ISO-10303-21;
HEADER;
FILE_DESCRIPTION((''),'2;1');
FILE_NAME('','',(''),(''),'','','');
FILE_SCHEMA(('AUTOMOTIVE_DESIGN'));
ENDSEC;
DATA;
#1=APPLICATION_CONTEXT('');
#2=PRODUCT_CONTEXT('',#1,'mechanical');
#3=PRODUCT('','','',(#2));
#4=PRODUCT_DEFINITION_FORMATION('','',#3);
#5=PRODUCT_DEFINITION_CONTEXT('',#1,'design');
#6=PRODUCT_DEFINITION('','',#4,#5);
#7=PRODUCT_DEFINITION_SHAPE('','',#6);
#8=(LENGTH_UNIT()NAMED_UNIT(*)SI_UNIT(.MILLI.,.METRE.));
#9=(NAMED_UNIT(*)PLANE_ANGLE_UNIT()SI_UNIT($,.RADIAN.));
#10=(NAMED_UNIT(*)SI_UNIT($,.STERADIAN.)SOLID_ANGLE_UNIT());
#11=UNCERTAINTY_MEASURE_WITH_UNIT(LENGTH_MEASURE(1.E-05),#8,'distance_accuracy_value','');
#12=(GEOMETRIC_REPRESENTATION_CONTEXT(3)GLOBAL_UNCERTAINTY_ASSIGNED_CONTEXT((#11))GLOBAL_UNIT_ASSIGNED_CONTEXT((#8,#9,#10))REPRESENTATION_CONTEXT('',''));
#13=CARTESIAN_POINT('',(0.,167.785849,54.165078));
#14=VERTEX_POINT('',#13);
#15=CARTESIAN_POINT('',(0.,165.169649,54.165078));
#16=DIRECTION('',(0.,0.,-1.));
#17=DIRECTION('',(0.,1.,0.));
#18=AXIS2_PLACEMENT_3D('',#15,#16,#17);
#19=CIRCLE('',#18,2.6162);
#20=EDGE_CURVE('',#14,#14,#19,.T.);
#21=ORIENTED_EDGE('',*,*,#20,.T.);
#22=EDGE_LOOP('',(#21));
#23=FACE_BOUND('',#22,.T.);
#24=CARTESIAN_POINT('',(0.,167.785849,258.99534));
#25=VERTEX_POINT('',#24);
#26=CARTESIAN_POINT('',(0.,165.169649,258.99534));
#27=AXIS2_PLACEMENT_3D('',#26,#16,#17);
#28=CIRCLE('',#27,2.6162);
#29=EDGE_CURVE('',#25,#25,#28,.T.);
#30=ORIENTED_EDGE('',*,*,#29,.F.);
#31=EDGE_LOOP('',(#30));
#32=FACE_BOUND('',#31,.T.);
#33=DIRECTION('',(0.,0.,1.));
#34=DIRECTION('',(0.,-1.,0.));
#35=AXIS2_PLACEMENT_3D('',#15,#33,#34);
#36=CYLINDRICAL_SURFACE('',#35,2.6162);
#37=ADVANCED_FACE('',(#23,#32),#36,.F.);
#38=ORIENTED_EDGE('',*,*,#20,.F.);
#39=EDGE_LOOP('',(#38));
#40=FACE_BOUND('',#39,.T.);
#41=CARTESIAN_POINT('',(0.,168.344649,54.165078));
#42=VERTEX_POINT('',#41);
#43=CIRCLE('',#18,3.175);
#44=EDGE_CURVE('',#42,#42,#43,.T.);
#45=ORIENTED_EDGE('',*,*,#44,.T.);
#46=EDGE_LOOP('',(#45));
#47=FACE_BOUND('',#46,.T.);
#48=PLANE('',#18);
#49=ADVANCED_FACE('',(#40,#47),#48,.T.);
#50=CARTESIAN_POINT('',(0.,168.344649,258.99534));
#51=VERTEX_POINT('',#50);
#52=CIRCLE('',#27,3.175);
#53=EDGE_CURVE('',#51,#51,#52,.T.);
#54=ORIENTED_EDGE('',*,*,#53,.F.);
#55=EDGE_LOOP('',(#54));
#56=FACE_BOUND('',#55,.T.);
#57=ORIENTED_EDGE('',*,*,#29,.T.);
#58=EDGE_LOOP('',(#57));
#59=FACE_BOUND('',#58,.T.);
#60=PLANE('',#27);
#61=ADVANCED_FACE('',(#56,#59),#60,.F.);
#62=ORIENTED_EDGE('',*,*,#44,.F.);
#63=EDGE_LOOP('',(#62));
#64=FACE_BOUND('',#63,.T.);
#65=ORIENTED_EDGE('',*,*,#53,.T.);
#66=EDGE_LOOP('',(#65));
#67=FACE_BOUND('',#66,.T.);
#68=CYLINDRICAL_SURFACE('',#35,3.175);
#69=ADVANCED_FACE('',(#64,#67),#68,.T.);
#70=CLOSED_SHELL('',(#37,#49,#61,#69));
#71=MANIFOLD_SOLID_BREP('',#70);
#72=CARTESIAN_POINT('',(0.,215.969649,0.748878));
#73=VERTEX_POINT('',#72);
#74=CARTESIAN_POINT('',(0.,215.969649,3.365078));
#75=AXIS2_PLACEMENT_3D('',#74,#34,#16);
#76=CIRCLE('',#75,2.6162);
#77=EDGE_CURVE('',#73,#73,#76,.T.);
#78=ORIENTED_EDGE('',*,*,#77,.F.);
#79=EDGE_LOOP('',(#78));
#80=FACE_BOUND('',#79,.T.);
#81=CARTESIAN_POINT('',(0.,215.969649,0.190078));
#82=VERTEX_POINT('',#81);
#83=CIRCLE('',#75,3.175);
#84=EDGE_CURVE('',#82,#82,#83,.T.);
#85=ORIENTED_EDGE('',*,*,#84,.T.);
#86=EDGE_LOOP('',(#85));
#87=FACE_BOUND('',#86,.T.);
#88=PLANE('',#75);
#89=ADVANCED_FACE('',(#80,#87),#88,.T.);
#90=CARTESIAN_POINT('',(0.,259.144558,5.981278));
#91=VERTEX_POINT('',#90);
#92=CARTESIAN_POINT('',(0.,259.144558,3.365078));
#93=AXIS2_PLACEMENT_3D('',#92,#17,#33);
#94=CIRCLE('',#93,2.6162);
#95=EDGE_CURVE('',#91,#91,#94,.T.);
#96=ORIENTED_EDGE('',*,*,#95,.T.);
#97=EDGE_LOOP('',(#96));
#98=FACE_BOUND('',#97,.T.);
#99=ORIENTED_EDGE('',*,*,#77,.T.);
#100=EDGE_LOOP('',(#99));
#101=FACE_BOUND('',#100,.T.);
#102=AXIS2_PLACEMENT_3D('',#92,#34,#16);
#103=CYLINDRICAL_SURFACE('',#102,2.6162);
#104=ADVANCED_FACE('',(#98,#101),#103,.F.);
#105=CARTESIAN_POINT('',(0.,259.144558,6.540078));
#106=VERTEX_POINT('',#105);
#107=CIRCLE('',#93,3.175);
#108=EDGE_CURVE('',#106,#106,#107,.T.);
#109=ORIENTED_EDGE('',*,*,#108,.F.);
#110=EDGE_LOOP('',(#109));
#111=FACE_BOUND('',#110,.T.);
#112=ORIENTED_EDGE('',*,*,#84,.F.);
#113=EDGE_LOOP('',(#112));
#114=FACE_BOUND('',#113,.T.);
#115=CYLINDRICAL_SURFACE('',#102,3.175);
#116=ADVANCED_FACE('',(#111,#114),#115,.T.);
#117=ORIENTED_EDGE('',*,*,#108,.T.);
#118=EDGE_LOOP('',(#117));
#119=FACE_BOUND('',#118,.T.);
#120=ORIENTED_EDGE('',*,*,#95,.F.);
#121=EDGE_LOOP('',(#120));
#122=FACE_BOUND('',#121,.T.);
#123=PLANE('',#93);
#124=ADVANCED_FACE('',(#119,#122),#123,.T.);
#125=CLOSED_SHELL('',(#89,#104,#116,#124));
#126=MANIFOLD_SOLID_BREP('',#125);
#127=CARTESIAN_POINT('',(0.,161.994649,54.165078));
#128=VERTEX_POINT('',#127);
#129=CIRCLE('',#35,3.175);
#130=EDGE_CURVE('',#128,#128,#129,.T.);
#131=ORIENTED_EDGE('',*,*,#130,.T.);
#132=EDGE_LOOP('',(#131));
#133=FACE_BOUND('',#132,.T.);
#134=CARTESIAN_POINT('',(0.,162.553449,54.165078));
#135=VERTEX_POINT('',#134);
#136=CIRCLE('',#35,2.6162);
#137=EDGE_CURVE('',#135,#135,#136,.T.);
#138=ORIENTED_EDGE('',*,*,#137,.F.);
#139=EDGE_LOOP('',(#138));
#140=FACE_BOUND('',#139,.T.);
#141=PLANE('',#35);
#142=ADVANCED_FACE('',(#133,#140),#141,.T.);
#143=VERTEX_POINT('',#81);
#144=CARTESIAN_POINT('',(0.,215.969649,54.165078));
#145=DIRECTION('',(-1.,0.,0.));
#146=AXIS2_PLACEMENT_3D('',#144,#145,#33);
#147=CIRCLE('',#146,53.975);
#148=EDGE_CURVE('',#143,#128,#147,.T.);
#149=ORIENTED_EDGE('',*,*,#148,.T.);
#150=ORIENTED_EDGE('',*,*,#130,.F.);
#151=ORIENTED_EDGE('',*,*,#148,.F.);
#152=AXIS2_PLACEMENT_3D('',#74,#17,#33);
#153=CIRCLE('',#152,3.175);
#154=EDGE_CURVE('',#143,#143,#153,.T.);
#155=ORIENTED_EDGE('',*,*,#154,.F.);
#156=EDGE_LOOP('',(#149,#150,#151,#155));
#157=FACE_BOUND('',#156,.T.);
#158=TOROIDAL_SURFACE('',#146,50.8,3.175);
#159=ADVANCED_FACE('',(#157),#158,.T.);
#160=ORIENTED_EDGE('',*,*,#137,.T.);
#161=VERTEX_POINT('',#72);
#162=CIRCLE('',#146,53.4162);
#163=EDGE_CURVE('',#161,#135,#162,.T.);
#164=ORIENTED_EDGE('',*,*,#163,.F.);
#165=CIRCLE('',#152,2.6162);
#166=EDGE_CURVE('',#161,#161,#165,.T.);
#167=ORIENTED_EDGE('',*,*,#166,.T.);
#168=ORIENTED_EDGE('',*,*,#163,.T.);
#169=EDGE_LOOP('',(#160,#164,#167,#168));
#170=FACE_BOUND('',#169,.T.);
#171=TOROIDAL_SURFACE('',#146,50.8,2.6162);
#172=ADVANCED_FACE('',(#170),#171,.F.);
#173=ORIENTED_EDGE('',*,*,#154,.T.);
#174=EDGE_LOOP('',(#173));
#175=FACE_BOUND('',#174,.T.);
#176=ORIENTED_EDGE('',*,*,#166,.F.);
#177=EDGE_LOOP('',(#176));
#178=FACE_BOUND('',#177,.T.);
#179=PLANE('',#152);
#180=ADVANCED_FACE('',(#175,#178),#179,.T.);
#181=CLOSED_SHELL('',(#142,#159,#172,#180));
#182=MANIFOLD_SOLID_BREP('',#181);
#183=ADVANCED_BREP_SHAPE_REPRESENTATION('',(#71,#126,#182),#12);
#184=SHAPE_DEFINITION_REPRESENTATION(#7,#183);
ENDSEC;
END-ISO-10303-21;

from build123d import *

# Parameters (mm, degrees)
SKETCH11_R                = 3.175
SKETCH11_R_2              = 2.6162
PIPE_0_5_SCH_40_1_DEPTH   = 204.830262489
SKETCH11_ON_SEGMENT_2_R   = 3.175
SKETCH11_ON_SEGMENT_2_R_2 = 2.6162
PIPE_0_5_SCH_40_1_2_ANGLE = 90
SKETCH11_ON_SEGMENT_3_R   = 3.175
SKETCH11_ON_SEGMENT_3_R_2 = 2.6162
PIPE_0_5_SCH_40_1_3_DEPTH = 43.174908852


with BuildPart() as part:
    # Sketch11 → Pipe 0.5 SCH 40(1) (new body)
    with BuildSketch(Plane(origin=(0, 165.169649272, 258.995340328), x_dir=(0, 1, 0), z_dir=(0, 0, -1))):
        Circle(SKETCH11_R)
        Circle(SKETCH11_R_2, mode=Mode.SUBTRACT)
    extrude(amount=PIPE_0_5_SCH_40_1_DEPTH)


with BuildPart() as body_2:
    # Sketch11 on segment 2 (carried to the start of arc 2) → Pipe 0.5 SCH 40_1 2 (revolve)
    with BuildSketch(Plane(origin=(0, 165.169649272, 54.165077838), x_dir=(0, 1, 0), z_dir=(0, 0, -1))):
        Circle(SKETCH11_ON_SEGMENT_2_R)
        Circle(SKETCH11_ON_SEGMENT_2_R_2, mode=Mode.SUBTRACT)
    revolve(axis=Axis((0, 215.969649272, 54.165077838), (1, 0, 0)), revolution_arc=PIPE_0_5_SCH_40_1_2_ANGLE)


with BuildPart() as body_3:
    # Sketch11 on segment 3 (carried to segment 3) → Pipe 0.5 SCH 40_1 3 (new body)
    with BuildSketch(Plane(origin=(0, 215.969649272, 3.365077838), x_dir=(0, 0, 1), z_dir=(0, 1, 0))):
        Circle(SKETCH11_ON_SEGMENT_3_R)
        Circle(SKETCH11_ON_SEGMENT_3_R_2, mode=Mode.SUBTRACT)
    extrude(amount=PIPE_0_5_SCH_40_1_3_DEPTH)


solid = Compound([part.part, body_2.part, body_3.part])
